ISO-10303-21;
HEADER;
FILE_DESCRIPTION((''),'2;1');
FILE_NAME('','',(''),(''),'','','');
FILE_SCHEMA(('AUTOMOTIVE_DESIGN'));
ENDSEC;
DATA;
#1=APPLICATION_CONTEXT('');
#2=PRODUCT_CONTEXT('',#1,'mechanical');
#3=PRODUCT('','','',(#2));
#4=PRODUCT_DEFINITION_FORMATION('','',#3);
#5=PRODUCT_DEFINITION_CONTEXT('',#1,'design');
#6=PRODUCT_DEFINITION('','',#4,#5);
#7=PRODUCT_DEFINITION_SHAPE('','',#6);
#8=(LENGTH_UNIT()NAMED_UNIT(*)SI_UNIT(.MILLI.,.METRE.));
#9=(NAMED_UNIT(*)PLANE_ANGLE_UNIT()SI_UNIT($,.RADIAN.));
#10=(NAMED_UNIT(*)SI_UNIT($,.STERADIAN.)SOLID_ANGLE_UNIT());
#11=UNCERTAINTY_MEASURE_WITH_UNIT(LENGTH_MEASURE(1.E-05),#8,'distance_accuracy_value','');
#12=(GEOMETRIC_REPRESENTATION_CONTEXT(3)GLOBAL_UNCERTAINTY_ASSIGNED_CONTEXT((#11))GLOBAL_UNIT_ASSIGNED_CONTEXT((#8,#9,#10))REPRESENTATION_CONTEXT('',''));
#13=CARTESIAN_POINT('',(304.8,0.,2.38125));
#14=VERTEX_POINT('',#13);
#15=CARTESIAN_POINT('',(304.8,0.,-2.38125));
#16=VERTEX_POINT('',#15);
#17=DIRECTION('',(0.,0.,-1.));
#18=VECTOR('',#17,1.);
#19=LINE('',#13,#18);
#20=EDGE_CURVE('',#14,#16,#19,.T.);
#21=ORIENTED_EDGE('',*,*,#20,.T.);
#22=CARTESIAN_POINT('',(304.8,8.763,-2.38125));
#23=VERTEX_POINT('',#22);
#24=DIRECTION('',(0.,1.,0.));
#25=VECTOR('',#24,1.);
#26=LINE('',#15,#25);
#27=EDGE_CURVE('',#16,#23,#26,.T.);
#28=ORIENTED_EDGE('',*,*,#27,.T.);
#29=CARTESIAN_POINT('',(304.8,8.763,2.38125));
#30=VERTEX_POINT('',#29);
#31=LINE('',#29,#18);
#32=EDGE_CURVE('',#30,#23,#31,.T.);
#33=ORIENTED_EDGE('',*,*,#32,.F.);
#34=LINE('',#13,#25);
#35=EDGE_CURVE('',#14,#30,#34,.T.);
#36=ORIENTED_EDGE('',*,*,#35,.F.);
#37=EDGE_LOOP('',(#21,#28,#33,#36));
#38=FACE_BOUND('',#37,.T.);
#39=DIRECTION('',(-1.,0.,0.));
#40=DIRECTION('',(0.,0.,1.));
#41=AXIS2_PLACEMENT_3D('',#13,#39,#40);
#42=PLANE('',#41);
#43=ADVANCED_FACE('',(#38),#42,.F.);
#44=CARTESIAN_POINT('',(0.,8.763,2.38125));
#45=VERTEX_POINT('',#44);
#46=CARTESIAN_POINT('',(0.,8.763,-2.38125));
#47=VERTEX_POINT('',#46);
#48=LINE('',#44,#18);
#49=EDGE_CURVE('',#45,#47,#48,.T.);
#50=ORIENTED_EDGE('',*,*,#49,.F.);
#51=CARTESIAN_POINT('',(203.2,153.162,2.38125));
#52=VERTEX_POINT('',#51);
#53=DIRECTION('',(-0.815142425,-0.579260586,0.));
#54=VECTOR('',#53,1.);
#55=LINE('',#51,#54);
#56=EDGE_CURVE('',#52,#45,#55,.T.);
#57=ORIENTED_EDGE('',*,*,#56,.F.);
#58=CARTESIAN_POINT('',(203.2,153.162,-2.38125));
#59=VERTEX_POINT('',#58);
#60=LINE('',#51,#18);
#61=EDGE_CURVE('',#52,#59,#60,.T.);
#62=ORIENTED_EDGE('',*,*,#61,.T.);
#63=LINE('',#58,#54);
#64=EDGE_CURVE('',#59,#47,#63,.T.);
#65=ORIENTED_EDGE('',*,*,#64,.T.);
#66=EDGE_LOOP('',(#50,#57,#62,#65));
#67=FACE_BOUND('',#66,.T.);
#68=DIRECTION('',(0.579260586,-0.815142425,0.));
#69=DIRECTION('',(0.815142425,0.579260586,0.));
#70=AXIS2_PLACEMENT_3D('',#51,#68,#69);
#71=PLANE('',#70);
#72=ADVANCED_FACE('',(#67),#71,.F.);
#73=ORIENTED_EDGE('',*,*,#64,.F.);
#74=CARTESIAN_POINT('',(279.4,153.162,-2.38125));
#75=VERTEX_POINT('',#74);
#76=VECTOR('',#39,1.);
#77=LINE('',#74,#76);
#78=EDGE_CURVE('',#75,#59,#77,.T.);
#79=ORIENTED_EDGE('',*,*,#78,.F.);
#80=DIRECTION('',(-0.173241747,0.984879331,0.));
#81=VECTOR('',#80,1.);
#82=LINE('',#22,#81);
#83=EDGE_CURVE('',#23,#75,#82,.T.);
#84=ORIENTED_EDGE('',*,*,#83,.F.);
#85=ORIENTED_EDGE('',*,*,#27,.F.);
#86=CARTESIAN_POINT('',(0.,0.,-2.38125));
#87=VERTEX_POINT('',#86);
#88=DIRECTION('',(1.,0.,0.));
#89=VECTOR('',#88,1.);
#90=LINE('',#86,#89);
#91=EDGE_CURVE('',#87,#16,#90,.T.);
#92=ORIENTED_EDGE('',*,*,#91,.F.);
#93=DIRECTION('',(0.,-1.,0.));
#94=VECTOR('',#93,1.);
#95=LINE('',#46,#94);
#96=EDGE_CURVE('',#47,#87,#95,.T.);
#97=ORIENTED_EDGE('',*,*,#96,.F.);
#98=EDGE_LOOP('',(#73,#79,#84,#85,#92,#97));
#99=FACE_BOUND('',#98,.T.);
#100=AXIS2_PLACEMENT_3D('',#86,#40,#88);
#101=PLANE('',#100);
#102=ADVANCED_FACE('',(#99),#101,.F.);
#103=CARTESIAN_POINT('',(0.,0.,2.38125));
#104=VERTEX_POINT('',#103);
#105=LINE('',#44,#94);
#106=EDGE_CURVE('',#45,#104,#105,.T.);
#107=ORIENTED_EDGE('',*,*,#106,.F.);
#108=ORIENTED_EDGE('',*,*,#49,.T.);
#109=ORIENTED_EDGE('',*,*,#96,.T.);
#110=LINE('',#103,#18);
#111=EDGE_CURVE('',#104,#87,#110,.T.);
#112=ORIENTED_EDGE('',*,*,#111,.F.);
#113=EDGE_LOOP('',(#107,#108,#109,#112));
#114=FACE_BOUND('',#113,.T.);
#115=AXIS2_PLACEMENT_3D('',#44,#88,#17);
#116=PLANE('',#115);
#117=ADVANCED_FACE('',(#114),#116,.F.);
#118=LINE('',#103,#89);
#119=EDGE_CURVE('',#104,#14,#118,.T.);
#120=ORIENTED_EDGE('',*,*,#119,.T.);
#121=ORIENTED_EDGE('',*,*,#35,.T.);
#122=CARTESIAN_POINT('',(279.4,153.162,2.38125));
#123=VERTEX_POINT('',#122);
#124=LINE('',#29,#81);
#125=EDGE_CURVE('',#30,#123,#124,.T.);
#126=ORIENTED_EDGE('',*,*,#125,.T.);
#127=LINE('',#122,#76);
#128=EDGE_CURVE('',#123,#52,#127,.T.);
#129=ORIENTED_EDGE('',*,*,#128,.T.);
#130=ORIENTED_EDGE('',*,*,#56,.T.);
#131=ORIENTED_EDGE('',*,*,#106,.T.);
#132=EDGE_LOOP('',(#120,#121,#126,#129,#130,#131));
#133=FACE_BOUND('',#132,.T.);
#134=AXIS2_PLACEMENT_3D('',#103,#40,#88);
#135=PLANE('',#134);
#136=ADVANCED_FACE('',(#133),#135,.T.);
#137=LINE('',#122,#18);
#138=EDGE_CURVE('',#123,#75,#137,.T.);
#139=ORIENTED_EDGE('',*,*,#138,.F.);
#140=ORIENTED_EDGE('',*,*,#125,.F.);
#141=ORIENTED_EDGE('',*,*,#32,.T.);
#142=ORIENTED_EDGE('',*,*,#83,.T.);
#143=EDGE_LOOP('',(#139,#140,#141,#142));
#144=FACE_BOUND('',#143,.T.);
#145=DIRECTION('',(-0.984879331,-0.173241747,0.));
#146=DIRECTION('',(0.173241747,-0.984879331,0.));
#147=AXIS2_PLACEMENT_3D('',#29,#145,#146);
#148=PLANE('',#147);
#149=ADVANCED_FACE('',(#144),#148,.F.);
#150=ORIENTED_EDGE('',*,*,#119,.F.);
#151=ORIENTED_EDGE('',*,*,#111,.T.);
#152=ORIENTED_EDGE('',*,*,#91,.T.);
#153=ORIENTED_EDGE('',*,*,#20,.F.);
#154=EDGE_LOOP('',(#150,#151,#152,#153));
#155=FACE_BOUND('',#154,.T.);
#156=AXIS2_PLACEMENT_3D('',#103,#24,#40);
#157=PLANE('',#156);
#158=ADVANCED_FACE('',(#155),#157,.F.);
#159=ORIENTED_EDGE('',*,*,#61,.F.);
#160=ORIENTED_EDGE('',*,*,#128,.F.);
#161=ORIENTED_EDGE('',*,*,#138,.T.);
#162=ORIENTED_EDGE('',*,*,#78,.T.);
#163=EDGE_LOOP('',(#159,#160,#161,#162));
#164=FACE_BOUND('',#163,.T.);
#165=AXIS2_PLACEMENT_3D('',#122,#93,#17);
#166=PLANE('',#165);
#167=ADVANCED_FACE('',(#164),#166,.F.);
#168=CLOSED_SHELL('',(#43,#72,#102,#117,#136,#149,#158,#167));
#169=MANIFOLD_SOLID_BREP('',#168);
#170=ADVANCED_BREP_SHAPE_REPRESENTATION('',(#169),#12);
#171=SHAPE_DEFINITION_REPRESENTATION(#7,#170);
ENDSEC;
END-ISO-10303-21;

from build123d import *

# Parameters (mm, degrees)
BOSS_EXTRUDE1_DEPTH = 2.38125


with BuildPart() as part:
    # Sketch1 → Boss-Extrude1 (new, symmetric)
    with BuildSketch(Plane.XY):
        Polygon((0, 0), (304.8, 0), (304.8, 8.763), (279.4, 153.162), (203.2, 153.162), (0, 8.763), align=None)
    extrude(amount=BOSS_EXTRUDE1_DEPTH, both=True)


solid = part.part
